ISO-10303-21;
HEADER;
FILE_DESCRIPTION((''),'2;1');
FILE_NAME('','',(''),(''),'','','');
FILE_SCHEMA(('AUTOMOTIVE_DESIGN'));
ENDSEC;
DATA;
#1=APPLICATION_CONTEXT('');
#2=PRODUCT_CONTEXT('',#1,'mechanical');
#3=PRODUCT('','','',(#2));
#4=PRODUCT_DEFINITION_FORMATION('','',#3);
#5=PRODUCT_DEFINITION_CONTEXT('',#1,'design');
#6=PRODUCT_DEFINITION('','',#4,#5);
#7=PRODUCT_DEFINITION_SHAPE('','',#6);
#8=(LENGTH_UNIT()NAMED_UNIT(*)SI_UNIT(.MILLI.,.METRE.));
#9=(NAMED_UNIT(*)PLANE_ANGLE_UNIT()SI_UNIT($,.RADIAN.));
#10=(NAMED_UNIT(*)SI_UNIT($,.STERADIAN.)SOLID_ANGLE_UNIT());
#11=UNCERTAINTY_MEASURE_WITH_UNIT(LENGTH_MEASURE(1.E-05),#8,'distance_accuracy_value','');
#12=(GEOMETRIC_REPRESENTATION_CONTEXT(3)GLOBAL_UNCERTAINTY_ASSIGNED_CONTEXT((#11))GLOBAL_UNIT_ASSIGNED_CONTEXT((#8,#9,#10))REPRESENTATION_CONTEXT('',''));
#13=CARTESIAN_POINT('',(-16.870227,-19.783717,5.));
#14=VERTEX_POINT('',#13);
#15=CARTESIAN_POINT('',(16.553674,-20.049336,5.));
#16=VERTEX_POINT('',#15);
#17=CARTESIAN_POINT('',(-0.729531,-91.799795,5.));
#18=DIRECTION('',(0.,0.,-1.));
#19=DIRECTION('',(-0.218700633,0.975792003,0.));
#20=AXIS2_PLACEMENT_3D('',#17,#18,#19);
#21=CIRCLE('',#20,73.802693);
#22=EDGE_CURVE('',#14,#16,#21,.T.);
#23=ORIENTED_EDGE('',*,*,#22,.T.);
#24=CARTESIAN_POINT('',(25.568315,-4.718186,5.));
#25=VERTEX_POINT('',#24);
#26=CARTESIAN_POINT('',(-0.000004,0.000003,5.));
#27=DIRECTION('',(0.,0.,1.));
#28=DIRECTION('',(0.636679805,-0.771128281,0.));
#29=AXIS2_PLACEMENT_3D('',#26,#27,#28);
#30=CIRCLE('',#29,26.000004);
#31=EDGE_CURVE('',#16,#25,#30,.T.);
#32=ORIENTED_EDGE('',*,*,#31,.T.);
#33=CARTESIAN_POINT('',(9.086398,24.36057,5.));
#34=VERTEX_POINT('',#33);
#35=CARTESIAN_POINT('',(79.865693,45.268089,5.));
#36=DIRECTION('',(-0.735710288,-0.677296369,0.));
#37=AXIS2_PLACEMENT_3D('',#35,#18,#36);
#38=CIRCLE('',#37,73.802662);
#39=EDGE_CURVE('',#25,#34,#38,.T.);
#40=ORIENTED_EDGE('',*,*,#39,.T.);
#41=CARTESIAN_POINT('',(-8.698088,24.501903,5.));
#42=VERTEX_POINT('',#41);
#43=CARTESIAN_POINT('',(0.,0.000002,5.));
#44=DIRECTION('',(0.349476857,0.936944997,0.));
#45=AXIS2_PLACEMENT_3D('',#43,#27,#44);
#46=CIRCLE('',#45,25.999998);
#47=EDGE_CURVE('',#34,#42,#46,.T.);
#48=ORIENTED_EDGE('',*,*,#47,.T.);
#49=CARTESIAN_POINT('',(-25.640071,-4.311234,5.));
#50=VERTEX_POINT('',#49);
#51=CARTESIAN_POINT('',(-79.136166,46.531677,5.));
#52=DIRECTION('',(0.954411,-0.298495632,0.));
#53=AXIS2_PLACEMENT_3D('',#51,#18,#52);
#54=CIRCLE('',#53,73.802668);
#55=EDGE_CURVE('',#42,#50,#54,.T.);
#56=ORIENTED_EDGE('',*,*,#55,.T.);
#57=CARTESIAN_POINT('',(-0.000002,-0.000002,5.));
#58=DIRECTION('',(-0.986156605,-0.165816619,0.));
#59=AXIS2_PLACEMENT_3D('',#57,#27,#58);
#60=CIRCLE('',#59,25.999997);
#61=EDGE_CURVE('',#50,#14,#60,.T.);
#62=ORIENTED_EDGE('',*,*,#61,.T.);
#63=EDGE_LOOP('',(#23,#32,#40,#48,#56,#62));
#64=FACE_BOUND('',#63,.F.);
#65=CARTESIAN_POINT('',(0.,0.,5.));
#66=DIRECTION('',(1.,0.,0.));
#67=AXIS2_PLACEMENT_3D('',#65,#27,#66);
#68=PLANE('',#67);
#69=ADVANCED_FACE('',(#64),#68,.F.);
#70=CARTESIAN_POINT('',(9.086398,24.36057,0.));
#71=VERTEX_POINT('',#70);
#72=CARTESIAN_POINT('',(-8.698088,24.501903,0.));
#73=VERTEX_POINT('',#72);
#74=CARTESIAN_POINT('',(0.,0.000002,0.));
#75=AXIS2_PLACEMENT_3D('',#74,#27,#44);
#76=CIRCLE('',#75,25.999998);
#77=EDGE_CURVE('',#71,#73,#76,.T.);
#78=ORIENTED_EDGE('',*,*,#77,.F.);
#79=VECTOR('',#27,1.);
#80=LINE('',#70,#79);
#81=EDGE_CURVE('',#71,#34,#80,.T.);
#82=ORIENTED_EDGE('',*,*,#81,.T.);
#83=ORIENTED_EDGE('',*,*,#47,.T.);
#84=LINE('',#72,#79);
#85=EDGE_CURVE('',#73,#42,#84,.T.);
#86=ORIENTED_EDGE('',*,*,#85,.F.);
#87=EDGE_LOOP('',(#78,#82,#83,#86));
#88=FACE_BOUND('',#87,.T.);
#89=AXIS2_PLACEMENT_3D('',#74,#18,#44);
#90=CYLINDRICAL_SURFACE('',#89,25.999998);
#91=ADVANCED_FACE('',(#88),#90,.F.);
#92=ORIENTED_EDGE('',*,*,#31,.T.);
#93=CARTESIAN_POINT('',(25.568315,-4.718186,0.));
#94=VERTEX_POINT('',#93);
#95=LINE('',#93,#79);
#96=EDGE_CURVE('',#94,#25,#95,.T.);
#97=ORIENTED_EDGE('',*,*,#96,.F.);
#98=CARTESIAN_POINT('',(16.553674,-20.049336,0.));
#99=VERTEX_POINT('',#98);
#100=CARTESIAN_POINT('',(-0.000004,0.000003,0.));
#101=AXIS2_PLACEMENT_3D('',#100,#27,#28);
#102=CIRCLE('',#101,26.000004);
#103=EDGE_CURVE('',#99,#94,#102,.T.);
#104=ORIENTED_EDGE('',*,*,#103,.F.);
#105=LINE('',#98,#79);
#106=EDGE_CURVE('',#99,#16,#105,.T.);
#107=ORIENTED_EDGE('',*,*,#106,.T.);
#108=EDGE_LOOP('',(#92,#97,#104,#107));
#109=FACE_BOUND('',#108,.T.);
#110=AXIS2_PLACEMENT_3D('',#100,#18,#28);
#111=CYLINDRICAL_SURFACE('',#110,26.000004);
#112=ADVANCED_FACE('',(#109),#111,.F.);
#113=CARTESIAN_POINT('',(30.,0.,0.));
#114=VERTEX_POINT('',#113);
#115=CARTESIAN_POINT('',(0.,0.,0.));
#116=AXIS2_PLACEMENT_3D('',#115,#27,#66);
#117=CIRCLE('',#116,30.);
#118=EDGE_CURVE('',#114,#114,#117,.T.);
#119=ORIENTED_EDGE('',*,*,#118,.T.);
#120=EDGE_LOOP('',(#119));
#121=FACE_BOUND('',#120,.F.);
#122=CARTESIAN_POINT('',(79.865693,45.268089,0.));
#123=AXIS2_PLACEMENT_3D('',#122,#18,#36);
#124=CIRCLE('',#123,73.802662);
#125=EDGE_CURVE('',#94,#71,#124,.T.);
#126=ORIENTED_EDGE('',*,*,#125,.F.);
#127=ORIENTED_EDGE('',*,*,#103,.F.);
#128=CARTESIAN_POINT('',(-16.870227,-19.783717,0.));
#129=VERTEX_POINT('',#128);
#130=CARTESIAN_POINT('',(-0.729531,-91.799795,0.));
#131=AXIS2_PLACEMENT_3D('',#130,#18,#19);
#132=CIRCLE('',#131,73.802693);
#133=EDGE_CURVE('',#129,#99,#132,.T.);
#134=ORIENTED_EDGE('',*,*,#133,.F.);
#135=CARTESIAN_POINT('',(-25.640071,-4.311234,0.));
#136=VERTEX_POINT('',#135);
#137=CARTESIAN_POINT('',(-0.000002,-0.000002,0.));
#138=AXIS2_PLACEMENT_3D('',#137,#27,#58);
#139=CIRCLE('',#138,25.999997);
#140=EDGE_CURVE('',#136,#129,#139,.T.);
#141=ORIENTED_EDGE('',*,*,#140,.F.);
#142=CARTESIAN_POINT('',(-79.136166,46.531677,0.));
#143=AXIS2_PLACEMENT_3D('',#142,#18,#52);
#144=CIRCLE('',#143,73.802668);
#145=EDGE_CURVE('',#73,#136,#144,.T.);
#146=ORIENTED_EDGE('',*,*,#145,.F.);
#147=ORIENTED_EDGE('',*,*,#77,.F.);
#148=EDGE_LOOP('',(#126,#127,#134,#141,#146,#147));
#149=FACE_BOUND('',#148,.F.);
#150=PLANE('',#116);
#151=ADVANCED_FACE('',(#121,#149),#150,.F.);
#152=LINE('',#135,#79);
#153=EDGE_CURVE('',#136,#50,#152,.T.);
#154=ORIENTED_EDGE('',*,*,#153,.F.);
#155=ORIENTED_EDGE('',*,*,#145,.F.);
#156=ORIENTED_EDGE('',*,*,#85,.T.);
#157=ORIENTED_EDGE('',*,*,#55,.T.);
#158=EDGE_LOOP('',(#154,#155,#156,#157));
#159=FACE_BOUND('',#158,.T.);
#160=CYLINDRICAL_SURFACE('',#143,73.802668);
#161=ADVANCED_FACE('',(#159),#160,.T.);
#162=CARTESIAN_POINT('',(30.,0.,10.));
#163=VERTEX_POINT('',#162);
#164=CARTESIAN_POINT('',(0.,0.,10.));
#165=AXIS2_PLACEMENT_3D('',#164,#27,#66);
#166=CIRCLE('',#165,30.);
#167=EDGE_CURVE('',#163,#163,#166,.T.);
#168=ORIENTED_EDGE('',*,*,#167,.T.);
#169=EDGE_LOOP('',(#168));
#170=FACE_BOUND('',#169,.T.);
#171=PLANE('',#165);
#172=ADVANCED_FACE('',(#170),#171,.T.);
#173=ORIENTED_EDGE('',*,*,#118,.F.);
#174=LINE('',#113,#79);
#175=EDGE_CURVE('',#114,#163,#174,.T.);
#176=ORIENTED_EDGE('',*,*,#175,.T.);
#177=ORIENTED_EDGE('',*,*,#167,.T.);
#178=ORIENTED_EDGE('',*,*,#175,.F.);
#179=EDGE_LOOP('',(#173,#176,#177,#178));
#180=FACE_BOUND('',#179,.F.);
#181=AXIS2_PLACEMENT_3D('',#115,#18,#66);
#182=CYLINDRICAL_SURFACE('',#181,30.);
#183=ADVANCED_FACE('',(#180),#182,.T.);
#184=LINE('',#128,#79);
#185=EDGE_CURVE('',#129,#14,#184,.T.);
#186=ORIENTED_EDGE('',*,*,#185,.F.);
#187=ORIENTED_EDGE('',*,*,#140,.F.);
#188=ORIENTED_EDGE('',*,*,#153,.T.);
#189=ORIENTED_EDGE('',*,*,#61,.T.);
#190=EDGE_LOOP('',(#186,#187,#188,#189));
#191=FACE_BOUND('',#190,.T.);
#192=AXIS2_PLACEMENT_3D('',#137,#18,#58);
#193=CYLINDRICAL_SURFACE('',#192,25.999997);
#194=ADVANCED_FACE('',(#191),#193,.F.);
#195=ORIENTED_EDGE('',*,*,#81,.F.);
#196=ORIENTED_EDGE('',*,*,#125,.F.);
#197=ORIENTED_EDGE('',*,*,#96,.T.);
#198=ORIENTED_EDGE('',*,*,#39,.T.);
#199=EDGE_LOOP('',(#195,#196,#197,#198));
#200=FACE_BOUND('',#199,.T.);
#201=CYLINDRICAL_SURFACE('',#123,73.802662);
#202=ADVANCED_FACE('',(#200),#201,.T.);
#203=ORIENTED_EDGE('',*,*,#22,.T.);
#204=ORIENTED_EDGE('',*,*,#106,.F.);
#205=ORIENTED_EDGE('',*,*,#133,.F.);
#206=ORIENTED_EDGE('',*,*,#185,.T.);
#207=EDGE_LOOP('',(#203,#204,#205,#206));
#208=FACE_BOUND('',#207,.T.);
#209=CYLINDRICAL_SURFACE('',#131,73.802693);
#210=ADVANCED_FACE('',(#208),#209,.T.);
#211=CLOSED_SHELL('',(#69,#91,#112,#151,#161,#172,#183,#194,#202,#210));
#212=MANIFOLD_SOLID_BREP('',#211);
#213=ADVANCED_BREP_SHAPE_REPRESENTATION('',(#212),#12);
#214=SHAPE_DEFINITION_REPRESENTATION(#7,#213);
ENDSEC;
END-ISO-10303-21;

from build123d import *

# Parameters (mm, degrees)
F0_R     = 30
F1_DEPTH = 10
F3_DEPTH = 5


with BuildPart() as f1:
    # F0 (on Top) → F1 (new body)
    with BuildSketch(Plane.XY):
        Circle(F0_R)
    extrude(amount=F1_DEPTH)

    # F2 (on Top) → F3 (cut)
    with BuildSketch(Plane.XY):
        with BuildLine():
            ThreePointArc((25.568315, -4.718186), (15.659486, 8.875838), (9.086398, 24.36057))
            ThreePointArc((9.086398, 24.36057), (0.206615, 25.999179), (-8.698088, 24.501903))
            ThreePointArc((-8.698088, 24.501903), (-15.516444, 9.123593), (-25.640071, -4.311234))
            ThreePointArc((-25.640071, -4.311234), (-22.619257, -12.820656), (-16.870227, -19.783717))
            ThreePointArc((-16.870227, -19.783717), (-0.143041, -17.999432), (16.553674, -20.049336))
            ThreePointArc((16.553674, -20.049336), (22.412642, -13.178523), (25.568315, -4.718186))
        make_face()
    extrude(amount=F3_DEPTH, mode=Mode.SUBTRACT)


solid = f1.part
